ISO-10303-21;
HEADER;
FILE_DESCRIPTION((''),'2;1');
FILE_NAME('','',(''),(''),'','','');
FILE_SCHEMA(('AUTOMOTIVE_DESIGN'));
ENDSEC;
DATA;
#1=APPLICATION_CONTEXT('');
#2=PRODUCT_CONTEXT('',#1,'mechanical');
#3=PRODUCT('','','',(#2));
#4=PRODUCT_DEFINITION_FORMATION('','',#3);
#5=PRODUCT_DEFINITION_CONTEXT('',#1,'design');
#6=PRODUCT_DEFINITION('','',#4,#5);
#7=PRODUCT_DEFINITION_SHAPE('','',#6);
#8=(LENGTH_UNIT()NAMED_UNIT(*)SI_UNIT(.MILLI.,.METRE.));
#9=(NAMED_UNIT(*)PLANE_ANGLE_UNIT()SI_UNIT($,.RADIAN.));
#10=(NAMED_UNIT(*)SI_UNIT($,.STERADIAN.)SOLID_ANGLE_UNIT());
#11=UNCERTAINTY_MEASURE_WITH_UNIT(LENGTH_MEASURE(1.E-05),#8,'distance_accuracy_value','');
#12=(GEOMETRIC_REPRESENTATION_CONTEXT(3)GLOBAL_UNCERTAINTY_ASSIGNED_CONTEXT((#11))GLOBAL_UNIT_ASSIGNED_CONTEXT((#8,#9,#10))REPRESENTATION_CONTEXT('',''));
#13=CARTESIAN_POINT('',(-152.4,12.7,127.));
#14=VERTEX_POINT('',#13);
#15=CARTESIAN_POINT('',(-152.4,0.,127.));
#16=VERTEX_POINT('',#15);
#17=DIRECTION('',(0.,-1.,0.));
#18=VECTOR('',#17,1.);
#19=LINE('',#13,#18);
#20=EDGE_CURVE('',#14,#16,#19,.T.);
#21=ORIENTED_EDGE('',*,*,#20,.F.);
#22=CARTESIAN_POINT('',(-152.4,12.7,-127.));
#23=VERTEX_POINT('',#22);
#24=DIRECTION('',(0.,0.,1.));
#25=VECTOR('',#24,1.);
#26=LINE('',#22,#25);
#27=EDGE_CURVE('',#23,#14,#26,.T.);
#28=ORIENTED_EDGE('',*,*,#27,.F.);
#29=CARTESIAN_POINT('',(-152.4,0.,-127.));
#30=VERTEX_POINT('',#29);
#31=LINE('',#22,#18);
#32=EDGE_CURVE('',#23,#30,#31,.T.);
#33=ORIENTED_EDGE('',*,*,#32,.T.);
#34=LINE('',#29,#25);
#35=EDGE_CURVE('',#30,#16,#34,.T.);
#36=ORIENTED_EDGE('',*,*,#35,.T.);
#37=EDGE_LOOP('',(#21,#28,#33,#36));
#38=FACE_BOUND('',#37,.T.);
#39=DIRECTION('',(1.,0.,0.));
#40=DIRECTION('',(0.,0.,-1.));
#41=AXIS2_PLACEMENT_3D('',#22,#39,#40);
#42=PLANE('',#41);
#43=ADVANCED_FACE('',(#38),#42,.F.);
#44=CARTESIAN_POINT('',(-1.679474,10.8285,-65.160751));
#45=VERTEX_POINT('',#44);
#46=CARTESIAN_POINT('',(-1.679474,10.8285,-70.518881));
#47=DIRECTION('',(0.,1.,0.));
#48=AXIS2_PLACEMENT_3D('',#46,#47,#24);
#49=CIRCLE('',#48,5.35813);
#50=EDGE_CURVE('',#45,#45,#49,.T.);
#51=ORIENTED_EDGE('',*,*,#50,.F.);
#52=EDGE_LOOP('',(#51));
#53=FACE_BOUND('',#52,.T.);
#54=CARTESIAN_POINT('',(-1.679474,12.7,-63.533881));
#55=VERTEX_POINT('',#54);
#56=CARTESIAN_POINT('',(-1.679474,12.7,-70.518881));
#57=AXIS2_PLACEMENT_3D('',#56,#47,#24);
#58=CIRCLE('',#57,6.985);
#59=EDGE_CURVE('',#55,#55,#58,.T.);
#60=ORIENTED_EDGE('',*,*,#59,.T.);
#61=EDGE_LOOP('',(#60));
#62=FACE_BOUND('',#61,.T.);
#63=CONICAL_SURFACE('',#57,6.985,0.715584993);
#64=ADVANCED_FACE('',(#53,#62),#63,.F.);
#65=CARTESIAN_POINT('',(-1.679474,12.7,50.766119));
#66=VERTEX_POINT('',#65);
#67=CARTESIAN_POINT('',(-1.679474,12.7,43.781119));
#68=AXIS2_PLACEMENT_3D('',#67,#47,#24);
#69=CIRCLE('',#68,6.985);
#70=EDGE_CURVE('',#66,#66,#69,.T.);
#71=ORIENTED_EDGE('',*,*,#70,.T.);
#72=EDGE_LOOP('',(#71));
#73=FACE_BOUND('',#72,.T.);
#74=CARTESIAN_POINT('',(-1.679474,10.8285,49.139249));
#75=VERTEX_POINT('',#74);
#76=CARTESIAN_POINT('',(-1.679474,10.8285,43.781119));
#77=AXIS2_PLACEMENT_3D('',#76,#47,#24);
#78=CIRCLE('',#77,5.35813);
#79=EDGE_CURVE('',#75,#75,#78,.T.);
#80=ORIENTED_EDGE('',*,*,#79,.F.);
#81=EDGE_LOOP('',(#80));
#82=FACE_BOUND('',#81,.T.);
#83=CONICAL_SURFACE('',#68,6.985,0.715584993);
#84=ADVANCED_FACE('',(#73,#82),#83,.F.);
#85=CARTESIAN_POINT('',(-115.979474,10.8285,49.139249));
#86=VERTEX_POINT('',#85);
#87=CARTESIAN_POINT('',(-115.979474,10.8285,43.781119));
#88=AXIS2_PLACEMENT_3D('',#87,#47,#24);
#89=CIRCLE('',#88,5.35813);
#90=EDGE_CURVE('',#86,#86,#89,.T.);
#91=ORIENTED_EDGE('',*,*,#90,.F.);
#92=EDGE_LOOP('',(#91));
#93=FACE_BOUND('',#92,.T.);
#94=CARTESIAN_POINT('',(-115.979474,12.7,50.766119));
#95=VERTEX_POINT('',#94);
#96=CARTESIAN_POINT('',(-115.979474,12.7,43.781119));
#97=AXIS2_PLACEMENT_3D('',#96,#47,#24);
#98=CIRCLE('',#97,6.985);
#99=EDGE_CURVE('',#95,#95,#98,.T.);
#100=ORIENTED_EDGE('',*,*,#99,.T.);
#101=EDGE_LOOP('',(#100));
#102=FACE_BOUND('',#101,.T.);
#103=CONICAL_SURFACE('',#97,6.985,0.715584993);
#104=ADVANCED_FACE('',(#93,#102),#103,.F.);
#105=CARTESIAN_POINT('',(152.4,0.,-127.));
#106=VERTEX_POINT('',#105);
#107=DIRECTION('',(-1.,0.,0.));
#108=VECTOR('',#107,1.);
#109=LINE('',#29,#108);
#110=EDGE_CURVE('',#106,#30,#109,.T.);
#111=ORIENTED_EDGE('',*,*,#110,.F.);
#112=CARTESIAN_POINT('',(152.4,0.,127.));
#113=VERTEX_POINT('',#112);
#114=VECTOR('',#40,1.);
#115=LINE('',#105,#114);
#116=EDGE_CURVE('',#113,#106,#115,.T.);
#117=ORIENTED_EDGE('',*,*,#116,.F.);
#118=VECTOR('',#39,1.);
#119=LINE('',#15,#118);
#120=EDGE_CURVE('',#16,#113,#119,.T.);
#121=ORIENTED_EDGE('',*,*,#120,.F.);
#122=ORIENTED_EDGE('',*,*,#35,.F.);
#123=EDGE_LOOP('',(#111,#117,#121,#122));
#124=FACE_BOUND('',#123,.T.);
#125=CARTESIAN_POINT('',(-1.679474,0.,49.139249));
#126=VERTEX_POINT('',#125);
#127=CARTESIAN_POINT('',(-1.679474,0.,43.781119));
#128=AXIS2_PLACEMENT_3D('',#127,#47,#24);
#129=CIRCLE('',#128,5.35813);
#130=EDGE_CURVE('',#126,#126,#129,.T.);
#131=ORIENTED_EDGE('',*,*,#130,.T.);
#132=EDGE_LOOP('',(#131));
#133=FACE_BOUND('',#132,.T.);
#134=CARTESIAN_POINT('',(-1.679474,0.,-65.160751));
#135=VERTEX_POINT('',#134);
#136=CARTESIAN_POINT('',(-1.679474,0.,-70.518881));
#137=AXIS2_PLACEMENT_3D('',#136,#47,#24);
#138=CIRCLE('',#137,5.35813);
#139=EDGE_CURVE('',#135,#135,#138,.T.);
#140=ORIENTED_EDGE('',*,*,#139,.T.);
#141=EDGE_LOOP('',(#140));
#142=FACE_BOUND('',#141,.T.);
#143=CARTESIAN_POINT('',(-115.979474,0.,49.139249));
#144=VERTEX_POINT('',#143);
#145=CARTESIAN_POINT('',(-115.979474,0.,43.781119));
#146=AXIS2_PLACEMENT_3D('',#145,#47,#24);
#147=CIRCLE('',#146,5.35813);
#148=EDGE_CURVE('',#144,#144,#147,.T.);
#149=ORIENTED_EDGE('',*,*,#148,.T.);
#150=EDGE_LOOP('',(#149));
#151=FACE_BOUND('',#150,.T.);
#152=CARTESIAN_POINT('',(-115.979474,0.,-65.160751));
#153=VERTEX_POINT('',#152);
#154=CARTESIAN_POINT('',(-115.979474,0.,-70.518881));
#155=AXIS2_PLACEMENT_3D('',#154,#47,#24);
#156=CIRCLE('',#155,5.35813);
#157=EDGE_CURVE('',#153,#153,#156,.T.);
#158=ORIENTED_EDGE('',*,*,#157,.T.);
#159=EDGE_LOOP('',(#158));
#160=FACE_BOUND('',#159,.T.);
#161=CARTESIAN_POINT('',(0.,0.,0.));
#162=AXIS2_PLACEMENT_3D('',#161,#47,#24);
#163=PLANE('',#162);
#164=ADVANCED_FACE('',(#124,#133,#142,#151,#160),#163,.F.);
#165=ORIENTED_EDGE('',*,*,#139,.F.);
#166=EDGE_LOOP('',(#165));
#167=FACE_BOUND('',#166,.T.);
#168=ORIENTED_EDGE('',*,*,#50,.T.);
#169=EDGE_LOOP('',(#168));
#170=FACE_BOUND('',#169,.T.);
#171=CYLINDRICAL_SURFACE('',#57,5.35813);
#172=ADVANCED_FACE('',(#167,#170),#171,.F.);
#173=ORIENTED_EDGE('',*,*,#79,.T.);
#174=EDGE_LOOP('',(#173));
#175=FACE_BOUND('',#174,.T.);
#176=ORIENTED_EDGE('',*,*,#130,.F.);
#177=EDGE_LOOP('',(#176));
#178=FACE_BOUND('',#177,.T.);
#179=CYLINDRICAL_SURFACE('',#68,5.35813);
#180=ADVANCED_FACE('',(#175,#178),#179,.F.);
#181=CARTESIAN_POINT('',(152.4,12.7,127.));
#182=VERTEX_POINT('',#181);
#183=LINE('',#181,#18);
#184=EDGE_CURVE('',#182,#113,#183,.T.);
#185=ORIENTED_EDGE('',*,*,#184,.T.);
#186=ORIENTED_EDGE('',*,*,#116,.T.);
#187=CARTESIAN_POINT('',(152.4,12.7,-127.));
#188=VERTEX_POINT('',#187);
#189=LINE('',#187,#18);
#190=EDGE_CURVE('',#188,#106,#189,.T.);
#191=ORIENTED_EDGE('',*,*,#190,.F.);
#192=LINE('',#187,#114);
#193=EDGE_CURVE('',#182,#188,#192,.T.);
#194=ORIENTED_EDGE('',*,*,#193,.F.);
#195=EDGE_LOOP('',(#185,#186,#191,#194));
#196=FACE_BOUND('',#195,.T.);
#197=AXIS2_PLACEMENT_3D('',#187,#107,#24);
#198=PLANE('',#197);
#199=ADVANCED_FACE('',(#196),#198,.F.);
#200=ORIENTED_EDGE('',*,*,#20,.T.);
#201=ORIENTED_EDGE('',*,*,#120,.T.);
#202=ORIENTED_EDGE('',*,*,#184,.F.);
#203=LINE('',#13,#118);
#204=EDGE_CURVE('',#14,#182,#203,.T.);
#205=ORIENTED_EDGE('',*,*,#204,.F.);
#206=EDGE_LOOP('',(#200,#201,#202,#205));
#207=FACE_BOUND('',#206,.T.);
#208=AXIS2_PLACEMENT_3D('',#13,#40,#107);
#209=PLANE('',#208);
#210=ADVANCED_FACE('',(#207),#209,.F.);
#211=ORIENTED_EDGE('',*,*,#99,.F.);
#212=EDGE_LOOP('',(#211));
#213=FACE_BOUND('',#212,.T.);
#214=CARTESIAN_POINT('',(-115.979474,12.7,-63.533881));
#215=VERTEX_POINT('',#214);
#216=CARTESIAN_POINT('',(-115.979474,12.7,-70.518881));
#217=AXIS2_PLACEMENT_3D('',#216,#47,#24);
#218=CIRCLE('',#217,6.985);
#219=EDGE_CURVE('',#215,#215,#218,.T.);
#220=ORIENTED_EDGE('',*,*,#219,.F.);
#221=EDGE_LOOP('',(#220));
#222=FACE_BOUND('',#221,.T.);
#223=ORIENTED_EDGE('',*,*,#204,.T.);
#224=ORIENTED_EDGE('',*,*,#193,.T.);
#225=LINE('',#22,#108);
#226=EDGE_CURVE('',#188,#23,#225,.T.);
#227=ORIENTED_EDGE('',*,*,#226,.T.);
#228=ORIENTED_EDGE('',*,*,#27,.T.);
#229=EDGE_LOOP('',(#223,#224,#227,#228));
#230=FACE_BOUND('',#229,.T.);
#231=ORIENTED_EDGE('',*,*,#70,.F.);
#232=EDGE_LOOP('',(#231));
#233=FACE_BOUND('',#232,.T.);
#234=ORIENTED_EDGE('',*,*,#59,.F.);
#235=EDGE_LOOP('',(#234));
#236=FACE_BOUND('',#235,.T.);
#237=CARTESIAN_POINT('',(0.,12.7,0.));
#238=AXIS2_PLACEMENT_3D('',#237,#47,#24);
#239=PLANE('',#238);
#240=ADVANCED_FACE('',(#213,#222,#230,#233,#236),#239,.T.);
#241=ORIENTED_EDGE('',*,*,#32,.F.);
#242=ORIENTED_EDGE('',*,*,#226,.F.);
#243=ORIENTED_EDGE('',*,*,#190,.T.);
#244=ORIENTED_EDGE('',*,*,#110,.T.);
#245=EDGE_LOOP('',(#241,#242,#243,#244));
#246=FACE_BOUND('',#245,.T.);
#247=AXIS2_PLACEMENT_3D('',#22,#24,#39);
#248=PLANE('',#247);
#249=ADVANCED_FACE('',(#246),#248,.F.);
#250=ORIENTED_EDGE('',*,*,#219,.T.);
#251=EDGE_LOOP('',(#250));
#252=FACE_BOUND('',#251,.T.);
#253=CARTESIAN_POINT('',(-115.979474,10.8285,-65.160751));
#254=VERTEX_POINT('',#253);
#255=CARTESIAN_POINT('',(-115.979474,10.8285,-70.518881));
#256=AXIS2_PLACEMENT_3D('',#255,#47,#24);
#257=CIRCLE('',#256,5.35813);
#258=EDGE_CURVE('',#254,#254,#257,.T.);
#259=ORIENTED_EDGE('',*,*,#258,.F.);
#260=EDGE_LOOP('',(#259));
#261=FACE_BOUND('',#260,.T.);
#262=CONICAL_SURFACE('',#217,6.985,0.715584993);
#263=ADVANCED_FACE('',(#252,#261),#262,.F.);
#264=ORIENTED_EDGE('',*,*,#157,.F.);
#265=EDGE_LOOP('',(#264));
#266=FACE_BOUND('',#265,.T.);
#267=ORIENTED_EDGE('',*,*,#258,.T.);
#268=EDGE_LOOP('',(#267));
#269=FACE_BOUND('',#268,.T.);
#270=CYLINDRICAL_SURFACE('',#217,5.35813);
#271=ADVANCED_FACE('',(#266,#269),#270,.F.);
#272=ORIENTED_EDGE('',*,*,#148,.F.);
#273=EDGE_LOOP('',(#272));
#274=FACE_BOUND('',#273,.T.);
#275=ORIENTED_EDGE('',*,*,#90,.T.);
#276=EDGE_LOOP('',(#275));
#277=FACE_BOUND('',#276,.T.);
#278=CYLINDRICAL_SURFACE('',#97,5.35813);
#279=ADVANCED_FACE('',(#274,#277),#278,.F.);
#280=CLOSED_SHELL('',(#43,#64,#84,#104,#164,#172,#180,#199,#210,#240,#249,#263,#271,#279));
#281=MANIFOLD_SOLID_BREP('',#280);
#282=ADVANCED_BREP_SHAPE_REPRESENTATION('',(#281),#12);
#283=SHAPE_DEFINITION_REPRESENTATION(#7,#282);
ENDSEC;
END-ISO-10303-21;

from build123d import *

# Parameters (mm, degrees)
SKETCH1_W                         = 304.8
SKETCH1_H                         = 254
BOSS_EXTRUDE1_DEPTH               = 12.7
F_1_2_13_TAPPED_HOLE1_D           = 10.71626
F_1_2_13_TAPPED_HOLE1_CSINK_D     = 13.97
F_1_2_13_TAPPED_HOLE1_CSINK_ANGLE = 82


with BuildPart() as part:
    # Sketch1 → Boss-Extrude1 (new body)
    with BuildSketch(Plane(origin=(0, 0, 0), x_dir=(1, 0, 0), z_dir=(0, 1, 0))):
        Rectangle(SKETCH1_W, SKETCH1_H)
    extrude(amount=BOSS_EXTRUDE1_DEPTH)

    # 1/2-13 Tapped Hole1 (through all)
    with Locations(Plane(origin=(0, 12.7, 0), x_dir=(1, 0, 0), z_dir=(0, 1, 0))):
        with Locations((-115.9794742, 70.518880845), (-1.6794742, 70.518880845), (-1.6794742, -43.781119155), (-115.9794742, -43.781119155)):
            CounterSinkHole(F_1_2_13_TAPPED_HOLE1_D / 2, F_1_2_13_TAPPED_HOLE1_CSINK_D / 2, counter_sink_angle=F_1_2_13_TAPPED_HOLE1_CSINK_ANGLE)


solid = part.part
